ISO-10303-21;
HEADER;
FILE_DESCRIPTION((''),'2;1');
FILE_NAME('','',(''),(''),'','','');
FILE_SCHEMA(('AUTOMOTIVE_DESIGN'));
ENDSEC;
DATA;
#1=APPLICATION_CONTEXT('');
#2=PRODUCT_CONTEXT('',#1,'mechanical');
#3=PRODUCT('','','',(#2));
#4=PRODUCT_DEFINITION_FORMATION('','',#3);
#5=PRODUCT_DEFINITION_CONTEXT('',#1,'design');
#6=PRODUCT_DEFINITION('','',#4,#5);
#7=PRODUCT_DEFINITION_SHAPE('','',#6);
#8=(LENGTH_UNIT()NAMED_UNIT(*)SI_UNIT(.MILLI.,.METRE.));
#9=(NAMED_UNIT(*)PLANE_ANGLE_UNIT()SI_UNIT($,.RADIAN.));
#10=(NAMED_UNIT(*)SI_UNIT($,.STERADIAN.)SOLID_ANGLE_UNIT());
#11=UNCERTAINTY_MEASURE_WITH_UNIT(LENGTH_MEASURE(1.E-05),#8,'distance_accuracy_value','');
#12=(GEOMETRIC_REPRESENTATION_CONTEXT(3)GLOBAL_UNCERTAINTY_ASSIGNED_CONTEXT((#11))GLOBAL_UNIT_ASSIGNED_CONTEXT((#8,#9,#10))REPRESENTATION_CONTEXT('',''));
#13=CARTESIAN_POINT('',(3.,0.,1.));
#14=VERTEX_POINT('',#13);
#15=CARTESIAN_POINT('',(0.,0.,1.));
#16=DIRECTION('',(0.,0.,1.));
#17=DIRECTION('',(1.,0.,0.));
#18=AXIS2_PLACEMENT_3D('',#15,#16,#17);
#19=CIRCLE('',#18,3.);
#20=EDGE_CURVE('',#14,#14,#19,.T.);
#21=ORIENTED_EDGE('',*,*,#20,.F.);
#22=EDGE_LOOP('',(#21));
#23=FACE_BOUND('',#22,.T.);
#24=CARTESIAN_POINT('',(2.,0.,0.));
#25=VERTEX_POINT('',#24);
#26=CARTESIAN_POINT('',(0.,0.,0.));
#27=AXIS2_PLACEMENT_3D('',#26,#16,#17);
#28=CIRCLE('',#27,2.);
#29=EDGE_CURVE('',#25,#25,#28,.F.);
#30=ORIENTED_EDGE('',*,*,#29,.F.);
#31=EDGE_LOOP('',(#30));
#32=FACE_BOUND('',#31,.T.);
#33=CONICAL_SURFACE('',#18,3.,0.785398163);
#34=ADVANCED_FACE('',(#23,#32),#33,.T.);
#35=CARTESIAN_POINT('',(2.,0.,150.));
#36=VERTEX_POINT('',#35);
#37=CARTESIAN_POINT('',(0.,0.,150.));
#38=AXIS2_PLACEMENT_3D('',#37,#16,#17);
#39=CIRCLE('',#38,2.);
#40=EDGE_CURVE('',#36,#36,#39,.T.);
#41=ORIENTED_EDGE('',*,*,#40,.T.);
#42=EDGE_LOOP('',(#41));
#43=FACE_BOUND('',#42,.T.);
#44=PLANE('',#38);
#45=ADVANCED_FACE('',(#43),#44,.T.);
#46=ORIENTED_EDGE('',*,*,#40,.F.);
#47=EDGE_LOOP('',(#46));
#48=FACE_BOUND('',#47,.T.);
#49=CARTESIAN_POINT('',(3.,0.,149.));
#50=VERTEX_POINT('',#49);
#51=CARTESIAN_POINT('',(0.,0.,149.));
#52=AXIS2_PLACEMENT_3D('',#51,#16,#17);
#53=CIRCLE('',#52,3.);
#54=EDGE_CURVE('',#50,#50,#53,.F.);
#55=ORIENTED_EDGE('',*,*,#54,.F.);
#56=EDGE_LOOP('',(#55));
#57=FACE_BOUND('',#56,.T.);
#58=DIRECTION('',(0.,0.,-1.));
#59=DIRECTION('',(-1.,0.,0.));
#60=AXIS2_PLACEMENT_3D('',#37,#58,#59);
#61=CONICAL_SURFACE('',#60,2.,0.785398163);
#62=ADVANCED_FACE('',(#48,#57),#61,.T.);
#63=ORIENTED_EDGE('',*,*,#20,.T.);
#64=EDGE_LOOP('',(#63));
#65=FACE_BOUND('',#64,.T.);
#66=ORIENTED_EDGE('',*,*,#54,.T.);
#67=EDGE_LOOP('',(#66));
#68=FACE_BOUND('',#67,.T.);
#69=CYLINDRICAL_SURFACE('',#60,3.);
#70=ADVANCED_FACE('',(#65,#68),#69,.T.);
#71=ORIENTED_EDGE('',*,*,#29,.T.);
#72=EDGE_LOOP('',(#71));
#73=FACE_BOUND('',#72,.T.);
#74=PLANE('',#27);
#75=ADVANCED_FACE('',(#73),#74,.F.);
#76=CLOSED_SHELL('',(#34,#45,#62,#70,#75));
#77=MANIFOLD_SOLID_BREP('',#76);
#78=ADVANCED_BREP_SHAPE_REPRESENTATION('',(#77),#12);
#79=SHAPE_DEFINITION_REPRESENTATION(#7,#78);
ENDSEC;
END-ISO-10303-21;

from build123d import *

# Parameters (mm, degrees)
SKETCH_1_R      = 3
EXTRUDE_1_DEPTH = 150
CHAMFER_1_SIZE  = 1


with BuildPart() as part:
    # 草圖1 → 填料-伸長1 (new body)
    with BuildSketch(Plane.XY):
        Circle(SKETCH_1_R)
    extrude(amount=EXTRUDE_1_DEPTH)

    # 導角1
    chamfer_1_edges = [part.edges().sort_by_distance(p)[0] for p in [
        (-3, 0, 0),
        (-3, 0, 150),
    ]]
    chamfer(chamfer_1_edges, length=CHAMFER_1_SIZE)


solid = part.part
